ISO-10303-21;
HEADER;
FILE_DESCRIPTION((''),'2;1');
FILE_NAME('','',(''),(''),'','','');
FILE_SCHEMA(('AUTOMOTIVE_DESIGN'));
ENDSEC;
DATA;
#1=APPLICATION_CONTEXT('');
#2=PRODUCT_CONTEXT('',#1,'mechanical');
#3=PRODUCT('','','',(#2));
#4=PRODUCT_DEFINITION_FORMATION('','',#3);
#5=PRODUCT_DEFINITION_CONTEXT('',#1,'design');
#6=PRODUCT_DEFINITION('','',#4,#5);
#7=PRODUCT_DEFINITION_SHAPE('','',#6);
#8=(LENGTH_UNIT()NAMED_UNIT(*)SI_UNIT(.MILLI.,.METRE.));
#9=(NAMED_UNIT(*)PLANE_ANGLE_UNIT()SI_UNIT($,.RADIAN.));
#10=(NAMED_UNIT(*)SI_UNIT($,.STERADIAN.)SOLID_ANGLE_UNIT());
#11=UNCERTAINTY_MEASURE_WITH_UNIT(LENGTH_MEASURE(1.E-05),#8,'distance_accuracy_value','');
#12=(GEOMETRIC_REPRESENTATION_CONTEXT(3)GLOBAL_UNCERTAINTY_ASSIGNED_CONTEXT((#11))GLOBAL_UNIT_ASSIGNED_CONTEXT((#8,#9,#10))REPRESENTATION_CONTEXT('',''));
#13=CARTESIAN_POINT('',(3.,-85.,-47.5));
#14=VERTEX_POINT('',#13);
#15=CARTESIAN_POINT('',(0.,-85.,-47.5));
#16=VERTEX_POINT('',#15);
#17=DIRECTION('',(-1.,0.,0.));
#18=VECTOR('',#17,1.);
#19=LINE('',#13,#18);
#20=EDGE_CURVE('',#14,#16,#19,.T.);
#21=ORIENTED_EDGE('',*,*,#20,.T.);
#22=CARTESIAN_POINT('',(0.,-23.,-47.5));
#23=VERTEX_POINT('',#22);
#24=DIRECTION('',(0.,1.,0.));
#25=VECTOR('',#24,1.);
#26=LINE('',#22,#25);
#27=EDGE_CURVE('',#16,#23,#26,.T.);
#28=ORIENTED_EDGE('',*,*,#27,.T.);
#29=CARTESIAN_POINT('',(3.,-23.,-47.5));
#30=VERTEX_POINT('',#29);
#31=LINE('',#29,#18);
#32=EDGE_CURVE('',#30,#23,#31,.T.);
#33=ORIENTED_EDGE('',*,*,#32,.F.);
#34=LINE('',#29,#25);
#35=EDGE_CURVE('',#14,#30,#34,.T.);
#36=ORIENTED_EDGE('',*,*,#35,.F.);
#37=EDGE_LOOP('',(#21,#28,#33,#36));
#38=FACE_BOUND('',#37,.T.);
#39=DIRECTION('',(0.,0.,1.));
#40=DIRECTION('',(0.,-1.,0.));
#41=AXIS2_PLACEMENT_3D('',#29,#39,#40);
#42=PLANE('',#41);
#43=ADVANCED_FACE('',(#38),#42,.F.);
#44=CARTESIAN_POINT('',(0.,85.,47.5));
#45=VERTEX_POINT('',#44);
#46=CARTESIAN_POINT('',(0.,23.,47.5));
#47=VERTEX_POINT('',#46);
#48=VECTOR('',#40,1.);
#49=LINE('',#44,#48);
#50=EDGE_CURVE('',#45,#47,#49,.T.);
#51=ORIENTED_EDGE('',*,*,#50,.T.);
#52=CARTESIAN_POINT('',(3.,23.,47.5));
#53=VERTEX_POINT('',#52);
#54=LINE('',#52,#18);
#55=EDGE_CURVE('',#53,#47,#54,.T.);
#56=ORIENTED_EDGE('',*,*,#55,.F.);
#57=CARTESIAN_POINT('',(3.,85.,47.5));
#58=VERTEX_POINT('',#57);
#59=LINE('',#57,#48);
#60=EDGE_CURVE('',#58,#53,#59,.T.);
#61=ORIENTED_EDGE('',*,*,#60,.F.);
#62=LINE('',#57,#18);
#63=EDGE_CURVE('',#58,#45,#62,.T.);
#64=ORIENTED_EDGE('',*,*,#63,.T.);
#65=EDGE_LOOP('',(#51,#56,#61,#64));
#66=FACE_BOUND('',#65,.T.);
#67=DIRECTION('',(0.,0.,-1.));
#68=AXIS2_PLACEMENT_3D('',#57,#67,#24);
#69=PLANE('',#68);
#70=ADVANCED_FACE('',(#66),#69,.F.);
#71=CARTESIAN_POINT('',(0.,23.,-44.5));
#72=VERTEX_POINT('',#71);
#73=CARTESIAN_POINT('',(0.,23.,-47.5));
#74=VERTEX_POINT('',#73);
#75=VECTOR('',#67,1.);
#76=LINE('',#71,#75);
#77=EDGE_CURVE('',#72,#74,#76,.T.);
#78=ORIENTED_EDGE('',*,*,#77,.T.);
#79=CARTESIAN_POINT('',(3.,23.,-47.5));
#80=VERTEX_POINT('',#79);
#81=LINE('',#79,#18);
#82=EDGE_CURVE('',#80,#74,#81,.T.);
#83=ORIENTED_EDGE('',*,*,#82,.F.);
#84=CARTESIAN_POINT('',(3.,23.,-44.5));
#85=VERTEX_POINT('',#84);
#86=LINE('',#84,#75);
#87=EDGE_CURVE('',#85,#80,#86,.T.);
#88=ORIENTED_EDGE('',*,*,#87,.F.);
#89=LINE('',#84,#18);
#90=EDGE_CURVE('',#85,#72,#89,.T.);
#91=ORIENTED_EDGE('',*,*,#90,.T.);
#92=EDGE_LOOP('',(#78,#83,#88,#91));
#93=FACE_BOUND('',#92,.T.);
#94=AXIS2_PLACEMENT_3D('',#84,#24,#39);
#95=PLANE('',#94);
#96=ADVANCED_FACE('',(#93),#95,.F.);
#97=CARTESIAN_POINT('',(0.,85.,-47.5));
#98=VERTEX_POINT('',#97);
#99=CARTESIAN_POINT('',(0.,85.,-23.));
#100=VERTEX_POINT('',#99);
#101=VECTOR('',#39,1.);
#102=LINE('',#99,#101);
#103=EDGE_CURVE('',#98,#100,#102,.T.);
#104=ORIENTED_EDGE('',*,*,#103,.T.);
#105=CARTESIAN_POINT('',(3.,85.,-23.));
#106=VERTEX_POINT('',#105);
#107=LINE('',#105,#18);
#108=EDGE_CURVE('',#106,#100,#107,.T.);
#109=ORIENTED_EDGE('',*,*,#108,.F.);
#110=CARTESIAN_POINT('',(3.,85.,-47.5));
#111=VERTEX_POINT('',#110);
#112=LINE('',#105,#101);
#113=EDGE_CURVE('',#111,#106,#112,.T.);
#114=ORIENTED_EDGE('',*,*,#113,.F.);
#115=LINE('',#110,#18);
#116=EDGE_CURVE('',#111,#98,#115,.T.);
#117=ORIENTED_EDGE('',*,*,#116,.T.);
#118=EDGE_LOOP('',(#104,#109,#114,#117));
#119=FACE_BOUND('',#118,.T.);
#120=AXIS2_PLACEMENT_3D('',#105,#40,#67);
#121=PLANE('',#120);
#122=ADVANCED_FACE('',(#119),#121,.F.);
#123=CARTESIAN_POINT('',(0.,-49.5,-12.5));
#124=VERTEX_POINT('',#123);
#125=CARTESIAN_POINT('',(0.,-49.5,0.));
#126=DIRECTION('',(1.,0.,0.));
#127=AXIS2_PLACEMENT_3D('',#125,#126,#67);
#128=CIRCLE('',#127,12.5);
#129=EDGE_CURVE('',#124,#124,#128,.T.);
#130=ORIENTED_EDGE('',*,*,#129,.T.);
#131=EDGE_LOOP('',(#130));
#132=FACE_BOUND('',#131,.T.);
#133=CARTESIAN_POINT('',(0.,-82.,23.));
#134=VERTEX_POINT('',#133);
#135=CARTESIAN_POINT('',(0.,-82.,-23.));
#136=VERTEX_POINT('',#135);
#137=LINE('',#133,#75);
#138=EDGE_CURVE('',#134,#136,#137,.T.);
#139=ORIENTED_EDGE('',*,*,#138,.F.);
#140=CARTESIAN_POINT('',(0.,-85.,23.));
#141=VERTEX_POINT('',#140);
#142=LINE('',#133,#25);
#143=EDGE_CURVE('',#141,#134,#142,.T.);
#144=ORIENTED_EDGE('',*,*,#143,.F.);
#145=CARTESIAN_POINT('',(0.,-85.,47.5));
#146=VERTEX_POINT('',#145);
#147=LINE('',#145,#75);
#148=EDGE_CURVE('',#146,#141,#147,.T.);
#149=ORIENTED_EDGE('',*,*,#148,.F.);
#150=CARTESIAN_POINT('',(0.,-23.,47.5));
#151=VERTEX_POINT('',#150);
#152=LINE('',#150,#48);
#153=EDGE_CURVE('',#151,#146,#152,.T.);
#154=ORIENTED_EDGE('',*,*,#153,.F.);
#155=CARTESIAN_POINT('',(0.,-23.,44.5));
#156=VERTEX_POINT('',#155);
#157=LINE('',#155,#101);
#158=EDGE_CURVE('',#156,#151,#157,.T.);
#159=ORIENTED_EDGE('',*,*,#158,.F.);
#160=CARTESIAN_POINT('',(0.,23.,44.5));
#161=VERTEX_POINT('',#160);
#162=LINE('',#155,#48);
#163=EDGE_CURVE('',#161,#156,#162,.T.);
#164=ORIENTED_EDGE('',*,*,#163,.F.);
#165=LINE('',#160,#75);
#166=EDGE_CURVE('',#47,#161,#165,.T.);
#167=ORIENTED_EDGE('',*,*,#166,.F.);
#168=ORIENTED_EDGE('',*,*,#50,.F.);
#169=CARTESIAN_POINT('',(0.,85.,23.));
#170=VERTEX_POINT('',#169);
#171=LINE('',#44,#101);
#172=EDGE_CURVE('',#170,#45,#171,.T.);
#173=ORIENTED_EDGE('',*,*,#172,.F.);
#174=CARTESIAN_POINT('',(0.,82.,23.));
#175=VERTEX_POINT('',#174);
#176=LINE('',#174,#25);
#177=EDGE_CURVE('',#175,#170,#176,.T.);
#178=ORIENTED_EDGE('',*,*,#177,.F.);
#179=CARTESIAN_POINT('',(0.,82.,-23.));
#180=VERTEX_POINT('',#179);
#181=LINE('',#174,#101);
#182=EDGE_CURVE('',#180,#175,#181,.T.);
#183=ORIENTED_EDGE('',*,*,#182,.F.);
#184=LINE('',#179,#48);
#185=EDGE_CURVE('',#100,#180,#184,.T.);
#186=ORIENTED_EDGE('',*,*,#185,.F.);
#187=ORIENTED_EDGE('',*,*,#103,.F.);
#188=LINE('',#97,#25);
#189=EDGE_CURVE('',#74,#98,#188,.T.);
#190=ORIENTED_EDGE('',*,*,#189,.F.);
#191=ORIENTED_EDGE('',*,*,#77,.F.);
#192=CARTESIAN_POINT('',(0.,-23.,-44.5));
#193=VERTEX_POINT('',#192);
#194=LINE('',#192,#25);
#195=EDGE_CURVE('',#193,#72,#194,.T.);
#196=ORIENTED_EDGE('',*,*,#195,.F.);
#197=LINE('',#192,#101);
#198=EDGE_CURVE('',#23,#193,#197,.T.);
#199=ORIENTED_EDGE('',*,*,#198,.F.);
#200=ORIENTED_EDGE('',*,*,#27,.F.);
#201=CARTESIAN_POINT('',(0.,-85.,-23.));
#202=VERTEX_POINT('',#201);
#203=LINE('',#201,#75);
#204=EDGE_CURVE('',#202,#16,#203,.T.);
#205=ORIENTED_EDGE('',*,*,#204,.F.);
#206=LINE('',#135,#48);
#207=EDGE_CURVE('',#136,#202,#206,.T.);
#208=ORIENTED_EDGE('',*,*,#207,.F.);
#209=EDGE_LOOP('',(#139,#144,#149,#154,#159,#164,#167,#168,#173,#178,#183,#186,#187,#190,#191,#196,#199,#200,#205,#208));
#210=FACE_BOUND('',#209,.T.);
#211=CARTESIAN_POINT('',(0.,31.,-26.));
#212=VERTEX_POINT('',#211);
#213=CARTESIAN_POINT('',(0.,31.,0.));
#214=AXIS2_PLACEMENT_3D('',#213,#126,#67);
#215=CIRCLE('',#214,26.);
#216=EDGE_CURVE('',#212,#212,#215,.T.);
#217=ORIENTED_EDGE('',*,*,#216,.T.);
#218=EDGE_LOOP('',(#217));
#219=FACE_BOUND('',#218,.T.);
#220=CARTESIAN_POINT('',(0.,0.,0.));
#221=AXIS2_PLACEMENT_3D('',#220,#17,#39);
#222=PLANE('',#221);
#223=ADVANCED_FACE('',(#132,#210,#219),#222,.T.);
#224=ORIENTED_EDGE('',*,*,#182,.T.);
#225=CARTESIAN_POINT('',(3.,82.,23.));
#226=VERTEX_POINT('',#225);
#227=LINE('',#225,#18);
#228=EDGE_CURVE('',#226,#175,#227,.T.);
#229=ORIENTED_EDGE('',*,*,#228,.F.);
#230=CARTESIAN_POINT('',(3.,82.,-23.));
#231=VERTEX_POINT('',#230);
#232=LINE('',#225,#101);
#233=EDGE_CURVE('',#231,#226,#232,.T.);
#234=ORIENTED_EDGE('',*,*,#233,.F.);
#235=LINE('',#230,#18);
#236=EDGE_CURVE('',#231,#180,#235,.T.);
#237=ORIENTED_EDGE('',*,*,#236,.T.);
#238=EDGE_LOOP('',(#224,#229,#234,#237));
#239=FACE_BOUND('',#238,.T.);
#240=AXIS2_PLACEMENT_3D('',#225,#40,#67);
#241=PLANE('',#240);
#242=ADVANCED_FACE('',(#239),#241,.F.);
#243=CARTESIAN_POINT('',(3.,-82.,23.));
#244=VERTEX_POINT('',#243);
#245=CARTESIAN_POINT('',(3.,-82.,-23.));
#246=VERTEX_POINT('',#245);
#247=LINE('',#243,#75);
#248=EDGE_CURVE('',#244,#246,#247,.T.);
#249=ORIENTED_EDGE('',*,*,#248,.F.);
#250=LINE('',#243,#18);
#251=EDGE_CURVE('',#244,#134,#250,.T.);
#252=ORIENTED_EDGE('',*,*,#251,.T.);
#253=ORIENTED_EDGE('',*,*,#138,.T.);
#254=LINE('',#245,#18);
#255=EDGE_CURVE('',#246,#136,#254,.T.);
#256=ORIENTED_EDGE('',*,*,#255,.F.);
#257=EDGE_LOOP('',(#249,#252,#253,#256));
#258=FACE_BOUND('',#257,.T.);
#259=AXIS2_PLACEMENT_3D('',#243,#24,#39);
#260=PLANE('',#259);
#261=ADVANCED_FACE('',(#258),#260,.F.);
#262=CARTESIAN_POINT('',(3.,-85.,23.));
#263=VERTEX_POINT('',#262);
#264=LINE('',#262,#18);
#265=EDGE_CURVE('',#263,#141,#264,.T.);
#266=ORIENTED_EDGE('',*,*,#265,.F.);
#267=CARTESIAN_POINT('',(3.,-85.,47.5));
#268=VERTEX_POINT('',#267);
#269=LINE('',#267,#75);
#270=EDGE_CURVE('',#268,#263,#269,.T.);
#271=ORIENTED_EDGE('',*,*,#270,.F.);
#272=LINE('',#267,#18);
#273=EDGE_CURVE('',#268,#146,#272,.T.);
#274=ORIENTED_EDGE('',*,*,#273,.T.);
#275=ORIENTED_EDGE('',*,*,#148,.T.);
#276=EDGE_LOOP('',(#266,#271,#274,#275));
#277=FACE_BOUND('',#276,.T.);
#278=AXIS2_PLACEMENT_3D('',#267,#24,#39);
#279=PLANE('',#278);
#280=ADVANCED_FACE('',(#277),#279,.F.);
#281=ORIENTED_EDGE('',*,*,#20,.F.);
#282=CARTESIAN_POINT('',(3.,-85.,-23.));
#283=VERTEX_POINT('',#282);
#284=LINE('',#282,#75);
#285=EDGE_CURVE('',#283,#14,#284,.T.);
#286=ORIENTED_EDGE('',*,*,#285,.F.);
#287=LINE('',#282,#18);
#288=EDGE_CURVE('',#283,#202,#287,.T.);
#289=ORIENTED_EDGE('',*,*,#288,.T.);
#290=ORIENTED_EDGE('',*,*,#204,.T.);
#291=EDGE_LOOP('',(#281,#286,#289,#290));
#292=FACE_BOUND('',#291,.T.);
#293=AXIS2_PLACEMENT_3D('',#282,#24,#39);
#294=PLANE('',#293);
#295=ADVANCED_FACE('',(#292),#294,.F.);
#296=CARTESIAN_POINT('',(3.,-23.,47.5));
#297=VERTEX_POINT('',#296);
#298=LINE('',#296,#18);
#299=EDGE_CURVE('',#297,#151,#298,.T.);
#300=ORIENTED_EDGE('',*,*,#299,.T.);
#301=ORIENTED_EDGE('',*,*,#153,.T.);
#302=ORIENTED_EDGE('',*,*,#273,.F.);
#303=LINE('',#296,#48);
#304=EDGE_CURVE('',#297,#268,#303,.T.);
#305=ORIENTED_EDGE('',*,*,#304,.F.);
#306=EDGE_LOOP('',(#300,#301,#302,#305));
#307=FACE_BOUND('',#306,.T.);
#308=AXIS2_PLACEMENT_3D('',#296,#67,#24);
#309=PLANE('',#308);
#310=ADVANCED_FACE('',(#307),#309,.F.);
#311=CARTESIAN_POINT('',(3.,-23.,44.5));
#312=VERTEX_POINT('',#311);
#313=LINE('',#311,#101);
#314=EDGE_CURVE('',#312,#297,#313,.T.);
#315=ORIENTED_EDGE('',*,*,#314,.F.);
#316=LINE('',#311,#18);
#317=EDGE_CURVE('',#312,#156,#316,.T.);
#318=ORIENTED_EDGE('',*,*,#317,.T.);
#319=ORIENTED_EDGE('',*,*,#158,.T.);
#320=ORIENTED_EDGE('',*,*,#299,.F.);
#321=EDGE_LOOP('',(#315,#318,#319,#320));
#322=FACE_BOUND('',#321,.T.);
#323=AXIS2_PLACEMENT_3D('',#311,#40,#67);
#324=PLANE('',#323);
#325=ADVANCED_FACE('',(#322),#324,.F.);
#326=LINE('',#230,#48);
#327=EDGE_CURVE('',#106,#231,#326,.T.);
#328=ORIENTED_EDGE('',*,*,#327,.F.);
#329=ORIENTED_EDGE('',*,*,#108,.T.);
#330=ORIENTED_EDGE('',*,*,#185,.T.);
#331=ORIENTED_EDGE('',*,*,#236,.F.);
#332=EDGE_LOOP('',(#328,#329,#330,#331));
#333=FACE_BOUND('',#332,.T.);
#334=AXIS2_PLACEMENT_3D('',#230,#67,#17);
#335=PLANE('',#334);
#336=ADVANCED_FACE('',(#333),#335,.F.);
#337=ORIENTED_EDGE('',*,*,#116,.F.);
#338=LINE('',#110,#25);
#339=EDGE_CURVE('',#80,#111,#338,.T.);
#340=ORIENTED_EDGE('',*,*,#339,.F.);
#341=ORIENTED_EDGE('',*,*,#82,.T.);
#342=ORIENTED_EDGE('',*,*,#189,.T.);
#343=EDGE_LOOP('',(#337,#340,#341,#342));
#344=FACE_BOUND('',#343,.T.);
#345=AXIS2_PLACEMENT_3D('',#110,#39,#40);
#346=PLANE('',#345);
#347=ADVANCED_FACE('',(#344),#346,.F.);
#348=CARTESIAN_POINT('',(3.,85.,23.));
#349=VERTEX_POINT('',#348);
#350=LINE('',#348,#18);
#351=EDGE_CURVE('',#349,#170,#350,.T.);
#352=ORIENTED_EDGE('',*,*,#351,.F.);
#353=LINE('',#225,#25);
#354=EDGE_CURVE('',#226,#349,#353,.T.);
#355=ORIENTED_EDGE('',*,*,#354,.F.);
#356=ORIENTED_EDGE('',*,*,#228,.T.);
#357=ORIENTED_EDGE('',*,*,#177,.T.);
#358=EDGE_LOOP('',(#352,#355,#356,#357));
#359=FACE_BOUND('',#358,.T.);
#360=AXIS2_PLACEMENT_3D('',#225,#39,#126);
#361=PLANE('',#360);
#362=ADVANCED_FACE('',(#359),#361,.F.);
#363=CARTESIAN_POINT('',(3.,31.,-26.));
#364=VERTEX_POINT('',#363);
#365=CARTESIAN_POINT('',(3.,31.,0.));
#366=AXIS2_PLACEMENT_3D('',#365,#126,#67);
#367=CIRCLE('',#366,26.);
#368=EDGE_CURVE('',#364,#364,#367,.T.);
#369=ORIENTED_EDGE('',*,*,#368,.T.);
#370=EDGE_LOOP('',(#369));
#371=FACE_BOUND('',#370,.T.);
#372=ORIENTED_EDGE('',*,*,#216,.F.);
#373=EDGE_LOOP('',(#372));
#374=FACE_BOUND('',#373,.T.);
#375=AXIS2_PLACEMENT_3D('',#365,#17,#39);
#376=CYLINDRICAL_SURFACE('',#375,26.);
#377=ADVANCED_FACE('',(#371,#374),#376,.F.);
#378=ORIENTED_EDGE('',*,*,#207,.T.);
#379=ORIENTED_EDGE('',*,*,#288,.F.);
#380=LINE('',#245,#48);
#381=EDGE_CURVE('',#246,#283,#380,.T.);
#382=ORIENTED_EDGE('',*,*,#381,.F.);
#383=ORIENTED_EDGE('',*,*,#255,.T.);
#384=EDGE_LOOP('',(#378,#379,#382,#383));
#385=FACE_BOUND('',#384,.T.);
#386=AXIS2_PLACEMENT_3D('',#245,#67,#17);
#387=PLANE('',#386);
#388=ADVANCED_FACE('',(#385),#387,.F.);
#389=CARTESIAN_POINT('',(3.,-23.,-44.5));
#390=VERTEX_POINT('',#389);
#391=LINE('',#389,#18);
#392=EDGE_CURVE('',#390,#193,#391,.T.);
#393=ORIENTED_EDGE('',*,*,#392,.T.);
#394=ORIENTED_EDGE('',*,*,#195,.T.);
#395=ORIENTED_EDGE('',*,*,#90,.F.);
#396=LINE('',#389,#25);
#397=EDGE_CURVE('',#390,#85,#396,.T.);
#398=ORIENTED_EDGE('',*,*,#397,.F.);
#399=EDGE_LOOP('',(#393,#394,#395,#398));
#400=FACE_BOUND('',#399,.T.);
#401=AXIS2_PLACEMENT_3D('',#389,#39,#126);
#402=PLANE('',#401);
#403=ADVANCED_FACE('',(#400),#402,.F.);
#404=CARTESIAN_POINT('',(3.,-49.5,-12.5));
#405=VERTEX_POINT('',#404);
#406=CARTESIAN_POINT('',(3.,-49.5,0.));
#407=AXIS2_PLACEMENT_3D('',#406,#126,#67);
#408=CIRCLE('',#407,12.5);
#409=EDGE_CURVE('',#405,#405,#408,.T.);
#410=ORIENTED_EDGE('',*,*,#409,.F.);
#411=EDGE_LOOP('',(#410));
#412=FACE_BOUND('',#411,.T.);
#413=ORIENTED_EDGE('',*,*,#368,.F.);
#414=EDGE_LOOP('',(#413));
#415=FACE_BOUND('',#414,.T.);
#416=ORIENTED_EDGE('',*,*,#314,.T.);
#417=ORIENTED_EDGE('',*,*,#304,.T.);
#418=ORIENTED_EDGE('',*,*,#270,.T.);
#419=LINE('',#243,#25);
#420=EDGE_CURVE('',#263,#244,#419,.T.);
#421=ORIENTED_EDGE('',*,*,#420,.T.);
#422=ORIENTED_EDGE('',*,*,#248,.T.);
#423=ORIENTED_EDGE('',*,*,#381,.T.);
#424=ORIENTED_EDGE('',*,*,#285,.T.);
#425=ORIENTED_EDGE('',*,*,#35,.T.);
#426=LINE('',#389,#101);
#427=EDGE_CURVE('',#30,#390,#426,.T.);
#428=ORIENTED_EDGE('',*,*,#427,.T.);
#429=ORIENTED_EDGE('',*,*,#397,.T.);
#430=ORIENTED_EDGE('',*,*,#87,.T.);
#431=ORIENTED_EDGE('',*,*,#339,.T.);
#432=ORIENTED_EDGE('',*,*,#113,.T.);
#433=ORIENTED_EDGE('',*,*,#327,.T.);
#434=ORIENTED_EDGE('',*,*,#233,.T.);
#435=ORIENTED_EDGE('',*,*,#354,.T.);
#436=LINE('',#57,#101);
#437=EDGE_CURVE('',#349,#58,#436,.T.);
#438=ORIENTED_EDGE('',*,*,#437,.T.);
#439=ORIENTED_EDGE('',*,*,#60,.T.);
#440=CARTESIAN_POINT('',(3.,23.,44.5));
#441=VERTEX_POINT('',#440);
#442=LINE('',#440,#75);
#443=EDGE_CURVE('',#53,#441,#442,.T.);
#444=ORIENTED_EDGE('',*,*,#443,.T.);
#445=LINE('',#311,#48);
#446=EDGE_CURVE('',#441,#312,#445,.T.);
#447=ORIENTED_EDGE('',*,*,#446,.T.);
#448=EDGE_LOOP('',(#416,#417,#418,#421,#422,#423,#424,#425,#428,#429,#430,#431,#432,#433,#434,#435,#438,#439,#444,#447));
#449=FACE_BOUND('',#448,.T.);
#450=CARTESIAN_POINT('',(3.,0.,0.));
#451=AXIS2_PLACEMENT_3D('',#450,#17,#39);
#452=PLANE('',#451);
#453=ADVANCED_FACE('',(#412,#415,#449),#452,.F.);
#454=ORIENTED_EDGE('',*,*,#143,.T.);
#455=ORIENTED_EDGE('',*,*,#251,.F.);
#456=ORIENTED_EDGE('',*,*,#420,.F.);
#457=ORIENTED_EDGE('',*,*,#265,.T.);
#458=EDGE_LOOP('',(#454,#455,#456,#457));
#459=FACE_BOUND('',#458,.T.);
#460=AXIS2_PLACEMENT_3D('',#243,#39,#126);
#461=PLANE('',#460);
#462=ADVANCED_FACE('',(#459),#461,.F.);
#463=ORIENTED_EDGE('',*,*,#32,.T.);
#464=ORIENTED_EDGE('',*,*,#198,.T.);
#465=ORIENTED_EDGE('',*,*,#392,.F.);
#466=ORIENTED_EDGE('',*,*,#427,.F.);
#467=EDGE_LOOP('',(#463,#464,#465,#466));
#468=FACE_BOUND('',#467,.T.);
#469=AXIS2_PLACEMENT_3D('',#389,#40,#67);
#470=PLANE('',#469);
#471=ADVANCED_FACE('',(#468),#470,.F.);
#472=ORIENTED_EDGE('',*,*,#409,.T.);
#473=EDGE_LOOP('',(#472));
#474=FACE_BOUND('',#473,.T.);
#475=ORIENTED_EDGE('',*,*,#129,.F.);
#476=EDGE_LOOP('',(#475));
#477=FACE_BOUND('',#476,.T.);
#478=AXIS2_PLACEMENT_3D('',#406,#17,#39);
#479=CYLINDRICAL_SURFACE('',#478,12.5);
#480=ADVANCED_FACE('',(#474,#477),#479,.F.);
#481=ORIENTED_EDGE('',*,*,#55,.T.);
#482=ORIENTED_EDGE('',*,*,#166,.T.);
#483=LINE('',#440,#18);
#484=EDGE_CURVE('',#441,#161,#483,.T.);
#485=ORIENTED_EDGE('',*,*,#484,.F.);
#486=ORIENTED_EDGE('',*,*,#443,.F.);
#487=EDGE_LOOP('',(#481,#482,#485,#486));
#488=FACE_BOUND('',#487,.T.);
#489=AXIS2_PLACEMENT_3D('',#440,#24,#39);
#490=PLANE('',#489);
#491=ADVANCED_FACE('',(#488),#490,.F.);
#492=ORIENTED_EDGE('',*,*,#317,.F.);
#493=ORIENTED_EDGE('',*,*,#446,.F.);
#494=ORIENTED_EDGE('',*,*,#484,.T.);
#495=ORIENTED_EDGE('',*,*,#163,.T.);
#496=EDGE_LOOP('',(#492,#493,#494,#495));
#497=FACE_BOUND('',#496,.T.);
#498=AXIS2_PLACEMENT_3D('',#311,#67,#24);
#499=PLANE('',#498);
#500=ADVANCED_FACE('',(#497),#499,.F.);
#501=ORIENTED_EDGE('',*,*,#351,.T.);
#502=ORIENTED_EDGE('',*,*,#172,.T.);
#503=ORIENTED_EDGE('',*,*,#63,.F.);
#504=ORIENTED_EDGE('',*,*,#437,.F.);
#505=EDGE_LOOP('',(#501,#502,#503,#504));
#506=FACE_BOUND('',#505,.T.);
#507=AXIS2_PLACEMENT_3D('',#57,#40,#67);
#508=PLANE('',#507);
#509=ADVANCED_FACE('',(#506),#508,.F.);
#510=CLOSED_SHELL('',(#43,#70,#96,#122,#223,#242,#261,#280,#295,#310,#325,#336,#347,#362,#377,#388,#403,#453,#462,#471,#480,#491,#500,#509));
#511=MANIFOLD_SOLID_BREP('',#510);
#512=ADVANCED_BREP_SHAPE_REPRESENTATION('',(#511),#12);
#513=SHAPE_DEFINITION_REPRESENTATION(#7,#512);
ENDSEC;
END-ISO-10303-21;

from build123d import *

# Parameters (mm, degrees)
CROQUIS1_R              = 26
CROQUIS1_R_2            = 12.5
SALIENTE_EXTRUIR1_DEPTH = 3


with BuildPart() as part:
    # Croquis1 → Saliente-Extruir1 (new body)
    with BuildSketch(Plane(origin=(0, 0, 0), x_dir=(0, 0, -1), z_dir=(1, 0, 0))):
        Polygon((-23, 82), (23, 82), (23, 85), (47.5, 85), (47.5, 23), (44.5, 23), (44.5, -23), (47.5, -23), (47.5, -85), (23, -85), (23, -82), (-23, -82), (-23, -85), (-47.5, -85), (-47.5, -23), (-44.5, -23), (-44.5, 23), (-47.5, 23), (-47.5, 85), (-23, 85), align=None)
        with Locations((0, 31)):
            Circle(CROQUIS1_R, mode=Mode.SUBTRACT)
        with Locations((0, -49.5)):
            Circle(CROQUIS1_R_2, mode=Mode.SUBTRACT)
    extrude(amount=SALIENTE_EXTRUIR1_DEPTH)


solid = part.part
